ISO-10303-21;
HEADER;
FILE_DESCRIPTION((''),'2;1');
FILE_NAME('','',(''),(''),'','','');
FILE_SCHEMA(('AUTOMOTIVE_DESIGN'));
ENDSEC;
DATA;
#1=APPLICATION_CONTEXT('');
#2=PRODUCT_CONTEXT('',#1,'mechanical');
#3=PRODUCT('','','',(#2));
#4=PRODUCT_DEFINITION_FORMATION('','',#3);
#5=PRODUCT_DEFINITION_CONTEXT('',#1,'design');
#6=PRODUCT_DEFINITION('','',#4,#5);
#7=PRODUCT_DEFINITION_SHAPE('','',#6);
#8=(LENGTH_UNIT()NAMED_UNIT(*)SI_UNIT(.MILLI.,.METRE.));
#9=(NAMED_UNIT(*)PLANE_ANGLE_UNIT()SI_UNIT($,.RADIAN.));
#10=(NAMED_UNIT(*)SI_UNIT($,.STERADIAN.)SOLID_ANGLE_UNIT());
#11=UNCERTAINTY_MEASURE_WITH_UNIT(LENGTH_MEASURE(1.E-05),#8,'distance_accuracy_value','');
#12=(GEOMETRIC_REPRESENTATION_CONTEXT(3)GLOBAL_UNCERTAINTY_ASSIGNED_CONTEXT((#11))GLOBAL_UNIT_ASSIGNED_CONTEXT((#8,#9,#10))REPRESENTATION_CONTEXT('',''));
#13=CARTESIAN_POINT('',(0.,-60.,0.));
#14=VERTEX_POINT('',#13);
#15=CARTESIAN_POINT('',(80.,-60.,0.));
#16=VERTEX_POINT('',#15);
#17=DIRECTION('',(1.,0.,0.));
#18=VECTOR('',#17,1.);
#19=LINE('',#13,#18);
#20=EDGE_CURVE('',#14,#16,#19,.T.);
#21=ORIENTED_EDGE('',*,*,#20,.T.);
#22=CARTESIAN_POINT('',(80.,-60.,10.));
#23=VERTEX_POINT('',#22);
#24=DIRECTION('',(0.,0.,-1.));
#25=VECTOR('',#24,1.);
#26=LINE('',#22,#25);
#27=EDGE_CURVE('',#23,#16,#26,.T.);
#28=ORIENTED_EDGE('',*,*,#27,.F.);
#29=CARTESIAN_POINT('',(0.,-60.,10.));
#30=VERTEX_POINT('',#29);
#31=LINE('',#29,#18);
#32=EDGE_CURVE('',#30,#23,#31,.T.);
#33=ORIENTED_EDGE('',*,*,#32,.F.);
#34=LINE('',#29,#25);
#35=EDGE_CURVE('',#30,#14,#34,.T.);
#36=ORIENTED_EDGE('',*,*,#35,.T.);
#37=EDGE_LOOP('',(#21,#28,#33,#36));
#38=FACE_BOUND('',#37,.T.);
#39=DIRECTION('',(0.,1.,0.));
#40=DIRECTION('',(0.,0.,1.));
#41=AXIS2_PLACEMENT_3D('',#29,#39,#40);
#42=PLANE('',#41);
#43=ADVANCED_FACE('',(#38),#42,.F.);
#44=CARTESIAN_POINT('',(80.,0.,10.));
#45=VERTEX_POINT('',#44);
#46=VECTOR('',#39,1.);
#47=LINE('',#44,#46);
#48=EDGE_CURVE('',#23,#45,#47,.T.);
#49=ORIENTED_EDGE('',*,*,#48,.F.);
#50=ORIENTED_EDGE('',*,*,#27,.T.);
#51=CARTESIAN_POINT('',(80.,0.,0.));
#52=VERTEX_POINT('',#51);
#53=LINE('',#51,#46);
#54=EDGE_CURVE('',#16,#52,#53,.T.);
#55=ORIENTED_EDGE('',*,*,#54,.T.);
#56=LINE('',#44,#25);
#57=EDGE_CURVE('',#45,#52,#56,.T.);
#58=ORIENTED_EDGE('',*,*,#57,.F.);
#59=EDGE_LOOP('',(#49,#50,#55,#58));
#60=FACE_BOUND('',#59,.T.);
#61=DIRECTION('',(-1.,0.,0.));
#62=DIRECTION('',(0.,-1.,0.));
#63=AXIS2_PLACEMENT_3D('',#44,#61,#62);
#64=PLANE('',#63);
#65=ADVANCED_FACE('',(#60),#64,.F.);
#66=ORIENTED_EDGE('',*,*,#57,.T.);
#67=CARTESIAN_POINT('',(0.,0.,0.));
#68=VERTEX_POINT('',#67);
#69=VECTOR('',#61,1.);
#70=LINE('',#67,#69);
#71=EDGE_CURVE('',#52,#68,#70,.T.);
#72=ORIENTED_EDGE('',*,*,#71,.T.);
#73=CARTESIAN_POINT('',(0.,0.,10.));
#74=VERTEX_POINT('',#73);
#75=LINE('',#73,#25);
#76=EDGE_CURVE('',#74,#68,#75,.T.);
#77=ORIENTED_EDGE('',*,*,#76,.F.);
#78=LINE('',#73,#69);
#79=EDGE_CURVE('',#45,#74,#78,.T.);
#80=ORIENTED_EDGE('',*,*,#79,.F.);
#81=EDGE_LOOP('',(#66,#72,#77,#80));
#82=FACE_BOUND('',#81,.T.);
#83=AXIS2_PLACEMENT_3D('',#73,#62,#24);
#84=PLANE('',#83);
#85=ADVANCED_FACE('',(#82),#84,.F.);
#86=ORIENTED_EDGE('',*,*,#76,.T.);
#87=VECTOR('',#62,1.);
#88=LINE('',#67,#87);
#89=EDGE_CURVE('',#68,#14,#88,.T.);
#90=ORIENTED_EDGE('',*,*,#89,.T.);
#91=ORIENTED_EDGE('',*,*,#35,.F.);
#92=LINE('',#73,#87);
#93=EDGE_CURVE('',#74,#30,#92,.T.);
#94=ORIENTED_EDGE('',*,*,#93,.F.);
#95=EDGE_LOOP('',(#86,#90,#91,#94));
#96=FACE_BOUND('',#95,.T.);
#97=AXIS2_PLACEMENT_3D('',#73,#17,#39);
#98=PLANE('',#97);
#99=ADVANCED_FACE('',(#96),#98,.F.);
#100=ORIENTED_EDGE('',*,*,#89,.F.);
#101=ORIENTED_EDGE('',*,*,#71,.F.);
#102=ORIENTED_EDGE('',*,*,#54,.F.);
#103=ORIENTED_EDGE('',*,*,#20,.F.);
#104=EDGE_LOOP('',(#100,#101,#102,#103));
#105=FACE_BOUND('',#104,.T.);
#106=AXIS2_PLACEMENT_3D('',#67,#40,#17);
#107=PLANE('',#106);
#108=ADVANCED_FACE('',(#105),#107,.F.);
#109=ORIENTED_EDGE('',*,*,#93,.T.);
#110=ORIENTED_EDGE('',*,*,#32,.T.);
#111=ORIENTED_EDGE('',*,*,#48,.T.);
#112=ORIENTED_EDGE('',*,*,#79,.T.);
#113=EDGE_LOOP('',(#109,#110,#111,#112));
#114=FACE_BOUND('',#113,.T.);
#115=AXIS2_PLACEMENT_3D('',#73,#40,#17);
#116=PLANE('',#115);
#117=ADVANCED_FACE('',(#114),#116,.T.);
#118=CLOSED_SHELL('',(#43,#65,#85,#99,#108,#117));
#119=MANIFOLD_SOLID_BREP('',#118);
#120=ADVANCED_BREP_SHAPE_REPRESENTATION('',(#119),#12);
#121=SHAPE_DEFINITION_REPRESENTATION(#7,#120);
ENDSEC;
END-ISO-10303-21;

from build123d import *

# Parameters (mm, degrees)
SKETCH_2_W      = 80
SKETCH_2_H      = 60
EXTRUDE_1_DEPTH = 10


with BuildPart() as part:
    # 草图2 → 凸台-拉伸1 (new body)
    with BuildSketch(Plane.XY):
        with Locations((40, -30)):
            Rectangle(SKETCH_2_W, SKETCH_2_H)
    extrude(amount=EXTRUDE_1_DEPTH)


solid = part.part
